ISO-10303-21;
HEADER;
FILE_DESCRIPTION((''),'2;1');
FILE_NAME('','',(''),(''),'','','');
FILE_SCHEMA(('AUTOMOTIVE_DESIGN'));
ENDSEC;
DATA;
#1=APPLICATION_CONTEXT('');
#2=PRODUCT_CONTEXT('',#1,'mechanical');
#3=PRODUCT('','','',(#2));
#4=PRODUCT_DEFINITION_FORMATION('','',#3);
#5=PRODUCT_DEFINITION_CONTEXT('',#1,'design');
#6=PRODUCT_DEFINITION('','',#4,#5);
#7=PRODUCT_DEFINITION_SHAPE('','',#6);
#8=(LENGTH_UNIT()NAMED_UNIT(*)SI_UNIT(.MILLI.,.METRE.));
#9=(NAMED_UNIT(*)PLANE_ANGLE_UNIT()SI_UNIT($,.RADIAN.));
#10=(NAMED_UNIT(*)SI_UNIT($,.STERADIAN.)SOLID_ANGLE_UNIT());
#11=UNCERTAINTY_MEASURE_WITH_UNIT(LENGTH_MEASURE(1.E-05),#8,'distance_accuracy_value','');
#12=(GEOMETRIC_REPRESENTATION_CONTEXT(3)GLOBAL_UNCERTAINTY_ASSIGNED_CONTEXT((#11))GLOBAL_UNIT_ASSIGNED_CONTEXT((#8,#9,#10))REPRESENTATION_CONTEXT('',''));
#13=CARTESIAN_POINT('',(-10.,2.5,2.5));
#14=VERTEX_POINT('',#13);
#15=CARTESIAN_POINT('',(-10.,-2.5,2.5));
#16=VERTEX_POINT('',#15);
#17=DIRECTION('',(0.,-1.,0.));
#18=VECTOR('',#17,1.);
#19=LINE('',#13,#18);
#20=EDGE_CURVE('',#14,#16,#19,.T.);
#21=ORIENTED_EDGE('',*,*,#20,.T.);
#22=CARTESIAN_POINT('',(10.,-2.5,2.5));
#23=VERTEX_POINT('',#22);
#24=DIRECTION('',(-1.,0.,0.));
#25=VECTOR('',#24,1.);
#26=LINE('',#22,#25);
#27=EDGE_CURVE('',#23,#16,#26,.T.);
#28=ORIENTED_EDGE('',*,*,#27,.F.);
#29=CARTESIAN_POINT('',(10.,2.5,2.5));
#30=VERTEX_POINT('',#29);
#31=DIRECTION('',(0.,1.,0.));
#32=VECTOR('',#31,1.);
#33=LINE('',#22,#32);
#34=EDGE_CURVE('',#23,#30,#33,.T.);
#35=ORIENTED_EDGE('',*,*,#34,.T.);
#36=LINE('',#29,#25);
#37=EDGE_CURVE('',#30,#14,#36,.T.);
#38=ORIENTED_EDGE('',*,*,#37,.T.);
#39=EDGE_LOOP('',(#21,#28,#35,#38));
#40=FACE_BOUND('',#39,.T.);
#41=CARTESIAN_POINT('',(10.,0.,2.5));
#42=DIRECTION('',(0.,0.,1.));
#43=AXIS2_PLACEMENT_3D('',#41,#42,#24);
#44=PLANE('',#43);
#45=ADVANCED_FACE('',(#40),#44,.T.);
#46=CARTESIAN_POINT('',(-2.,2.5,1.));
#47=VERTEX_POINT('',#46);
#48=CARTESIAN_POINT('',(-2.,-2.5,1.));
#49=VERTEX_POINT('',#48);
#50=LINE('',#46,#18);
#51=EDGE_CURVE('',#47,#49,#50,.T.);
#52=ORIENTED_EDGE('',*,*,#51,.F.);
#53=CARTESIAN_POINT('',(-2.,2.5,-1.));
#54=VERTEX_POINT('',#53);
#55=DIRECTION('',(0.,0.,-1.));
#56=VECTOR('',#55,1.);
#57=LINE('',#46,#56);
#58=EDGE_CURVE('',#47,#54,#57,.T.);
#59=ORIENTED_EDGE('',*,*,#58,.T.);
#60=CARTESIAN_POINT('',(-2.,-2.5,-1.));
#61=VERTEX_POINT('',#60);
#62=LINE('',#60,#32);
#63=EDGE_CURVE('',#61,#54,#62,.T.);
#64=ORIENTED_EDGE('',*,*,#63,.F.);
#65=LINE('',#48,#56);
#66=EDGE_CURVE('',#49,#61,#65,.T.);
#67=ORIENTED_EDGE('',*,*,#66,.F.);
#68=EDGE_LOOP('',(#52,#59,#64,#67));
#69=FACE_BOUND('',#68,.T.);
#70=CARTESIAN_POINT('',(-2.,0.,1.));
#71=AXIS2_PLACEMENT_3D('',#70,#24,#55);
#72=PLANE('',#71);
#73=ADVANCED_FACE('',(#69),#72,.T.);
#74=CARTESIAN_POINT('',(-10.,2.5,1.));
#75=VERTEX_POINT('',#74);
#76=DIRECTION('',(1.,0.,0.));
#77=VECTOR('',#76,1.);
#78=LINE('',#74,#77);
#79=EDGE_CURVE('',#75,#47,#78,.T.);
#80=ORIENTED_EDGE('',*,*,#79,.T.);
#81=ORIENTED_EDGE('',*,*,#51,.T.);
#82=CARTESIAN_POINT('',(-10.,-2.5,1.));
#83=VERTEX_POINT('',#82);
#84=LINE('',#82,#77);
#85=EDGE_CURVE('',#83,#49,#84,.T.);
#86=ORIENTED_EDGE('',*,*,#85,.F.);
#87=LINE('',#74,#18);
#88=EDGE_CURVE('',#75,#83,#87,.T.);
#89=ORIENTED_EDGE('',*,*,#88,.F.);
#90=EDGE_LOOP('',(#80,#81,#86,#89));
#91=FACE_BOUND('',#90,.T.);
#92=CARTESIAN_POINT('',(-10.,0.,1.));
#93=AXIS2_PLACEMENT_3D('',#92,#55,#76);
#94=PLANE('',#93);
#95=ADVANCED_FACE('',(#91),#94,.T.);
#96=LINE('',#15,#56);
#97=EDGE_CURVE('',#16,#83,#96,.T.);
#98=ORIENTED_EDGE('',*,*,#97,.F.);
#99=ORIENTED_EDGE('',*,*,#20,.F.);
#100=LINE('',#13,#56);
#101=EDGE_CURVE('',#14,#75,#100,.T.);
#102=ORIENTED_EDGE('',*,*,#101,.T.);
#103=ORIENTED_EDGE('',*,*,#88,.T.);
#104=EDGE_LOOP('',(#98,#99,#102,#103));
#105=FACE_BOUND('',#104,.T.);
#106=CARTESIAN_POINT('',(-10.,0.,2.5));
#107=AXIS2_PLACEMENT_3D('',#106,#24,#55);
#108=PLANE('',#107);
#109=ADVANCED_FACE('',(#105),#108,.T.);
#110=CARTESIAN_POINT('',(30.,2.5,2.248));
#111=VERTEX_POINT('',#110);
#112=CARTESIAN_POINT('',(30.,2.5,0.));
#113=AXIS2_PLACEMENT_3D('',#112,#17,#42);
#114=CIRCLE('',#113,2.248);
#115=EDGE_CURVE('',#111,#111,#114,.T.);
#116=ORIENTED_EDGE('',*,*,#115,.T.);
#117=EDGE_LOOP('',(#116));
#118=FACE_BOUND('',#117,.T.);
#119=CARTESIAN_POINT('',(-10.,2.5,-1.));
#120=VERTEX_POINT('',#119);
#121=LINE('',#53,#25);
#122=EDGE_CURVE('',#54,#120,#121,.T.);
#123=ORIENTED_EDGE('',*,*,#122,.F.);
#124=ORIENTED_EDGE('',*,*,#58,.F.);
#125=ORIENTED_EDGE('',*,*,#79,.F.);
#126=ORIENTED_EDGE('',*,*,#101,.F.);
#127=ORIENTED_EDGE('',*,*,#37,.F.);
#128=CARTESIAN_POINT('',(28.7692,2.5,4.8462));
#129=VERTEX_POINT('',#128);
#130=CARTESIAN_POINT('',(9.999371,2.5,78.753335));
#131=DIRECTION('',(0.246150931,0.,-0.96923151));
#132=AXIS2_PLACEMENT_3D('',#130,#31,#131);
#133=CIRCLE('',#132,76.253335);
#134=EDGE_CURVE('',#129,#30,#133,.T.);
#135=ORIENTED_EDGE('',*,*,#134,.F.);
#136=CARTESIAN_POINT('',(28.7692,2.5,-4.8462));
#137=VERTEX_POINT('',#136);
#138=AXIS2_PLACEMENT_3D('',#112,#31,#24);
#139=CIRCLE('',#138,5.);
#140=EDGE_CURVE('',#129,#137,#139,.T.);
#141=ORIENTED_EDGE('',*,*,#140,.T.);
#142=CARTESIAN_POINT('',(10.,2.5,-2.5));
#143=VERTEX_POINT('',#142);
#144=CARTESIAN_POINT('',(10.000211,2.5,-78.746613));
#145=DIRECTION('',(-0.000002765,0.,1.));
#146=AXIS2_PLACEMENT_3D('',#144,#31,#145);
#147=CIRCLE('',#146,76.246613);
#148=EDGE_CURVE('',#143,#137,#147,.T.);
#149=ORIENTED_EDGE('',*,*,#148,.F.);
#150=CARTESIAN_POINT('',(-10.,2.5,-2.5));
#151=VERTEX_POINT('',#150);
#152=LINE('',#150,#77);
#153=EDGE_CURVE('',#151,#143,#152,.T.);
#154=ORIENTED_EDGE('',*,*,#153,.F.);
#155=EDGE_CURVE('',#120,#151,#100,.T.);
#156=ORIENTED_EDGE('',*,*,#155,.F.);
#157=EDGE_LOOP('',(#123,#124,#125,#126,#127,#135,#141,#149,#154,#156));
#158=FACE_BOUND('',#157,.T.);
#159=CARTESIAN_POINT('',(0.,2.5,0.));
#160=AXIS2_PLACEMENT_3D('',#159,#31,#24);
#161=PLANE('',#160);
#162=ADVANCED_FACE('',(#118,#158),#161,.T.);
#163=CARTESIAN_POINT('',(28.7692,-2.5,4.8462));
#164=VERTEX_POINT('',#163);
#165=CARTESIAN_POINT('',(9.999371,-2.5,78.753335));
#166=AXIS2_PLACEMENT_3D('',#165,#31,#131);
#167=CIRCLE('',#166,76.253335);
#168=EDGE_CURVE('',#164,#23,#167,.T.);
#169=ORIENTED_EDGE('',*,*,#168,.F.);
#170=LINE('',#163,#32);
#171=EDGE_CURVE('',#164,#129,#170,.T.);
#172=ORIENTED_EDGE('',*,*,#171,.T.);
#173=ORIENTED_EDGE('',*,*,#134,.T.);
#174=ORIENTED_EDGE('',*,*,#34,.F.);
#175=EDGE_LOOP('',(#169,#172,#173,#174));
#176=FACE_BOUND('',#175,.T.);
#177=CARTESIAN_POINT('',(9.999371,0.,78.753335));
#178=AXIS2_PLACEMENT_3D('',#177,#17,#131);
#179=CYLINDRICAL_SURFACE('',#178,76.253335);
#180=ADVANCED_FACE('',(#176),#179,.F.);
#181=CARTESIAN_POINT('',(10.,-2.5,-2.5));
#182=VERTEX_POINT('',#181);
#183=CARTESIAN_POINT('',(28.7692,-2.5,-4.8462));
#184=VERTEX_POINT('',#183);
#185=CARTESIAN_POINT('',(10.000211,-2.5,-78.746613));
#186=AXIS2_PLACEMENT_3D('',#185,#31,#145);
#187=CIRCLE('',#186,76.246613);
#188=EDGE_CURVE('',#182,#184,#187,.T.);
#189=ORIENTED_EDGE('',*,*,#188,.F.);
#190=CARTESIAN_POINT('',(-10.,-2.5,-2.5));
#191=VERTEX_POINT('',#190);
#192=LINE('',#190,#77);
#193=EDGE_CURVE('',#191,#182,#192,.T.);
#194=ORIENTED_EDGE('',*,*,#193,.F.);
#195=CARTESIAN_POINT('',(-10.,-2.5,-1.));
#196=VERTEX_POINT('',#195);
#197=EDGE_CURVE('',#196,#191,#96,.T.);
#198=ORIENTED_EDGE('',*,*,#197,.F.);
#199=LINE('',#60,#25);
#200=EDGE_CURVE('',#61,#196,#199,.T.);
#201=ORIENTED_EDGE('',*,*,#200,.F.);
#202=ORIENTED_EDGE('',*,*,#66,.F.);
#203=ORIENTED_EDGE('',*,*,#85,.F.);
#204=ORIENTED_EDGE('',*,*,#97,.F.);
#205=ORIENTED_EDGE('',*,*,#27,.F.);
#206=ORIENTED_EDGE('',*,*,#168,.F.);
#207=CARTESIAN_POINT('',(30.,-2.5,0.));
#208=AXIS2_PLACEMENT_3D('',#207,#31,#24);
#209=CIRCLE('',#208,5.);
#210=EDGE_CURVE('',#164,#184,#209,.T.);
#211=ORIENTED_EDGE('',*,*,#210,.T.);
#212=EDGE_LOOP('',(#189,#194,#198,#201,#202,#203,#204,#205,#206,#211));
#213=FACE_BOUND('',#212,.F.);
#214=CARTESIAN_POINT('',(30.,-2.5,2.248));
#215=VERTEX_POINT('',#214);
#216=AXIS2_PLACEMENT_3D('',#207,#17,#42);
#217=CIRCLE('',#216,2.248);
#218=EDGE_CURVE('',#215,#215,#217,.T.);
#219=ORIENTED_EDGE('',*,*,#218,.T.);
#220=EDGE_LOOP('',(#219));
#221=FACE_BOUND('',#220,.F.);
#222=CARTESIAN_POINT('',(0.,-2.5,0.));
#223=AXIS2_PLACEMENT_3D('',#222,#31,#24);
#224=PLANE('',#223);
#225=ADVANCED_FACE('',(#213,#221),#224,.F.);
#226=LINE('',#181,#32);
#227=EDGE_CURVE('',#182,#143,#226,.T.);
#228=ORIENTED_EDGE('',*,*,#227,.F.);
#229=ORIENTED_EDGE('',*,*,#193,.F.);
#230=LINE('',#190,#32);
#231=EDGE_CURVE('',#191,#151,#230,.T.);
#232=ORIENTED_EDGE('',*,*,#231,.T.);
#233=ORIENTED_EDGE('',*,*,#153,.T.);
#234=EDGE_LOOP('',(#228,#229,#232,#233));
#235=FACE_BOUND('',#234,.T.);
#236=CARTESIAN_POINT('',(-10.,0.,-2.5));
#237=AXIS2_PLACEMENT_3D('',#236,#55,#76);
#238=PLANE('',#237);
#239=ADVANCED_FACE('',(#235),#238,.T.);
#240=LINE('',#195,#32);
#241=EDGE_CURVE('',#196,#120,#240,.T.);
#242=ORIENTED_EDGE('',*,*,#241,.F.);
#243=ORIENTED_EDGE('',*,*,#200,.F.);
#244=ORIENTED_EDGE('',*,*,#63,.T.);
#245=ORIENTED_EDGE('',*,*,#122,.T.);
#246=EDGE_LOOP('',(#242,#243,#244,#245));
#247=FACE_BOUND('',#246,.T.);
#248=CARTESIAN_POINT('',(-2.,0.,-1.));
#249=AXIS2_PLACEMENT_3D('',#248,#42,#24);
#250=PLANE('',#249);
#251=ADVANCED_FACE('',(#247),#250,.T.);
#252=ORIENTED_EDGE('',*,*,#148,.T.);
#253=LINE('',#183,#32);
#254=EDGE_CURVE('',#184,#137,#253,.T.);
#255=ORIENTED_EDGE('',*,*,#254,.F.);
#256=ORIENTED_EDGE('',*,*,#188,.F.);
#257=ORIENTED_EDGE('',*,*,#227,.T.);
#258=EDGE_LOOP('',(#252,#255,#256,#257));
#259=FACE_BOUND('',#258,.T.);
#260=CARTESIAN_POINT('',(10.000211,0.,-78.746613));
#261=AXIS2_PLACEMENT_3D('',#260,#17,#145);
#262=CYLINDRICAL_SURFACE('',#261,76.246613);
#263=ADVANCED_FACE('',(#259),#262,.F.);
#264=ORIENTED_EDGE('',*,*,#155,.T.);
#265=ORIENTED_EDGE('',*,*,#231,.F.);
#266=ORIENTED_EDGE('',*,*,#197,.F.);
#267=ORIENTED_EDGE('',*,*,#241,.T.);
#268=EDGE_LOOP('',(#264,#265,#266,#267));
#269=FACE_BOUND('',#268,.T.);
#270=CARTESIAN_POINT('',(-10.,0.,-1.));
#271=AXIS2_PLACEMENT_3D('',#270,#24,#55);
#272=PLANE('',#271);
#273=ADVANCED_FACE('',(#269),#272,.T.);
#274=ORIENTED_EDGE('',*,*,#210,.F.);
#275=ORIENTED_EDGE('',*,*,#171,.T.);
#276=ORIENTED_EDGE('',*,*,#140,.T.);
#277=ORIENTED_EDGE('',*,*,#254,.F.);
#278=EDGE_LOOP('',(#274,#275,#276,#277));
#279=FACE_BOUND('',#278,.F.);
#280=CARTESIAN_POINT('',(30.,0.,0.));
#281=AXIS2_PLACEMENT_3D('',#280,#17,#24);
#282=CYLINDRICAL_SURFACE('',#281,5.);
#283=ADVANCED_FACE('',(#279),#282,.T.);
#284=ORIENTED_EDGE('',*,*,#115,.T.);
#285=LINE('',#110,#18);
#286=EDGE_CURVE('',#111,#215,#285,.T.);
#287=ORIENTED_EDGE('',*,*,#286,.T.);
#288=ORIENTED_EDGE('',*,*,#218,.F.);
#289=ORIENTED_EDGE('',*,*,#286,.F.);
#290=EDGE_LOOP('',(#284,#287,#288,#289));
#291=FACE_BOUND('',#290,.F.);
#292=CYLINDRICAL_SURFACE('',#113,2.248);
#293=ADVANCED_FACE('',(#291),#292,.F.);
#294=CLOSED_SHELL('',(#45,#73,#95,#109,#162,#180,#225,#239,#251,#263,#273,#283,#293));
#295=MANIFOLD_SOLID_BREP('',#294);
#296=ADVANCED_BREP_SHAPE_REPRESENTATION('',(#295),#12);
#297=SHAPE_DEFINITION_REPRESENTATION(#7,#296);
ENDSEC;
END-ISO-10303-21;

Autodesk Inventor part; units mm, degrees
ref_plane "YZ Plane" through (0, 0, 0) normal (1, 0, 0) x (0, 1, 0)
ref_plane "XZ Plane" through (0, 0, 0) normal (0, 1, 0) x (-1, 0, 0)
ref_plane "XY Plane" through (0, 0, 0) normal (0, 0, 1) x (1, 0, 0)
sketch "Sketch1" plane through (0, 0, 0) normal (0, 1, 0) x (-1, 0, 0)
  line L0 (-10, 2.5) -> (10, 2.5)
  line L1 (10, 2.5) -> (10, -2.5)
  line L2 (10, -2.5) -> (-10, -2.5)
  line L3 (-10, -2.5) -> (-10, 2.5)
  line L4 (-10, 2.5) -> (10, -2.5) construction
  line L5 (10, 2.5) -> (-10, -2.5) construction
  line L6 (10, 1) -> (2, 1)
  line L7 (2, 1) -> (2, -1)
  line L8 (2, -1) -> (10, -1)
  line L9 (10, -1) -> (10, 1)
  circle A0 centre (-30, 0) radius 5
  arc A1 (-10, -2.5) -> (-28.7692, -4.8462) centre (-10, -78.75) ccw
  arc A2 (-28.7692, 4.8462) -> (-10, 2.5) centre (-10, 78.75) ccw
  point P0 (0, 0)
  point P1 (0, 0)
  point P2 (2, 0)
  point P3 (0, 0)
  dimension "d0" = 5
  dimension "d1" = 20
  dimension "d2" = 8
  dimension "d3" = 2
  dimension "d6" = 10
  dimension "d7" = 30
extrude "Extrusion1" add sketch "Sketch1" along normal mid plane 5 contours L0 L1 L6 L7 L8 L2 L3 | L3 A1 A0 A2 | A0
sketch "Sketch3" plane through (0, 2.5, 0) normal (0, 1, 0) x (1, 0, 0)
  arc A0 (28.7692, -4.8462) -> (28.7692, -4.8462) centre (30, 0) ccw projected
  point P0 (0, 0)
  point P1 (37.473, -9.6754)
  point P2 (37.473, 9.6754)
  point P3 (23.4247, 7.5342)
hole "Hole1" at (30, 2.5, 0) direction (0, -1, 0) diameter 4.496 end through all
properties part number "ChipPusher"
